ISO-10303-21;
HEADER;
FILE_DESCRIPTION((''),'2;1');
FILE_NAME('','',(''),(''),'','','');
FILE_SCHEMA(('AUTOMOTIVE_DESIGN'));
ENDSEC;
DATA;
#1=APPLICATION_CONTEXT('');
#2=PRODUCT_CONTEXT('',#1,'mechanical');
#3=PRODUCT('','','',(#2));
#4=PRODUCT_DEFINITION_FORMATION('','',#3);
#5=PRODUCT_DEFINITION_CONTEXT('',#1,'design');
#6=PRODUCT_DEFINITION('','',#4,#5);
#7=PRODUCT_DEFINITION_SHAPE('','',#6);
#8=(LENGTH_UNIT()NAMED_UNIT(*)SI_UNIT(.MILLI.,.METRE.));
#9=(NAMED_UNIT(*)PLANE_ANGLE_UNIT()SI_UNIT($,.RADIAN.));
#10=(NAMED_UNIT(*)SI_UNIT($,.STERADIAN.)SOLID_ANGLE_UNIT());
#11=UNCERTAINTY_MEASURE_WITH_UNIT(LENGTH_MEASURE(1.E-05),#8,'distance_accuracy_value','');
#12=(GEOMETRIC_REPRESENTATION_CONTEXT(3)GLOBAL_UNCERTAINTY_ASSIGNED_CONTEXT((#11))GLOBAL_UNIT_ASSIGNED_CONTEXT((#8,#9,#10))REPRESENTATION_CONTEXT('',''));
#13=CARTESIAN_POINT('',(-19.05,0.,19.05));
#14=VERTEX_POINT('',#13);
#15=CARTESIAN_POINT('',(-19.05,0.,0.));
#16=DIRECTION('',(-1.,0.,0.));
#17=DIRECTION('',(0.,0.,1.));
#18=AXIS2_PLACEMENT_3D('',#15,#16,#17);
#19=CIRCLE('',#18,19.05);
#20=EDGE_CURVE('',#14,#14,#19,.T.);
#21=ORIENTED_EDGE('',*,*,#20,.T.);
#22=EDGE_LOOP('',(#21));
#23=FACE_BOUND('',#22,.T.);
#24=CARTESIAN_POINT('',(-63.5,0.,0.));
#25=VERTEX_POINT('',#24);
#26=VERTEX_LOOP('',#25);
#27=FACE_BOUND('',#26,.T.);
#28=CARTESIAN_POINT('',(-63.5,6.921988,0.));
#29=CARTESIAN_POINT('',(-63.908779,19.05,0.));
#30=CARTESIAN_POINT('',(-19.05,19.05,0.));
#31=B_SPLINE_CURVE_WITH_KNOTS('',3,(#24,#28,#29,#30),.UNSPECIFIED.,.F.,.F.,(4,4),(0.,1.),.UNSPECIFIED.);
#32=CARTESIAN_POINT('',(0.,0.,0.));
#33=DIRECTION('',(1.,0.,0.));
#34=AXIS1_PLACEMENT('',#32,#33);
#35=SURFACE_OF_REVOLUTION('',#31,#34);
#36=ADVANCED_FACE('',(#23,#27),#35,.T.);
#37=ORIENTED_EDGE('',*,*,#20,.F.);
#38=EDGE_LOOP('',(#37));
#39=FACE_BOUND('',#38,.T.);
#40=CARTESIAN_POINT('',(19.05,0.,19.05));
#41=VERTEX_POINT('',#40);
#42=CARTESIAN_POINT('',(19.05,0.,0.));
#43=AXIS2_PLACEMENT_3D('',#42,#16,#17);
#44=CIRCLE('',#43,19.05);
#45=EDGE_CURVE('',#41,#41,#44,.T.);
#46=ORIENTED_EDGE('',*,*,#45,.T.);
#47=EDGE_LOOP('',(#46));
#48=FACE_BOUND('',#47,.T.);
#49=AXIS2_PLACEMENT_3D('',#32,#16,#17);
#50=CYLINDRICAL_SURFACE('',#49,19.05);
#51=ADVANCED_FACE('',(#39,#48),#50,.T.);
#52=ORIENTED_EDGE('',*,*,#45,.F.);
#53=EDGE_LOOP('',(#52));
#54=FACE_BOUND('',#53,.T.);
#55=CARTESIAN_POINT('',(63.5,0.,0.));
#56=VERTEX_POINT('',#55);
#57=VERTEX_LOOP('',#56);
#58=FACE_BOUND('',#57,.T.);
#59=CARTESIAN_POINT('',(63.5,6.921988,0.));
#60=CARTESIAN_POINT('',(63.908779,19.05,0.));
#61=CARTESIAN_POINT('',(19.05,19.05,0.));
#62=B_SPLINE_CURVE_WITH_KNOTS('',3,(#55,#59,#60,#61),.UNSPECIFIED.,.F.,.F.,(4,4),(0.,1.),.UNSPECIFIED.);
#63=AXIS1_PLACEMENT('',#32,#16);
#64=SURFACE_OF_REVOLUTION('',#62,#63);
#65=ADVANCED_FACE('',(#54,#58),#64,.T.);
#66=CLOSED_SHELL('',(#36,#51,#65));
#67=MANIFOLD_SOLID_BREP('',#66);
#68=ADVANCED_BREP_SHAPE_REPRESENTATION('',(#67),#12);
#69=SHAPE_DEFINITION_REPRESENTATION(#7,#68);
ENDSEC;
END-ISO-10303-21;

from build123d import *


with BuildPart() as part:
    # Sketch1 → Revolve1 (revolve)
    with BuildSketch(Plane.XY):
        with BuildLine():
            Line((0, 0), (63.5, 0))
            add(Edge.make_bspline(
                [(19.05, 19.05), (63.908779388, 19.05), (63.5, 6.92198844), (63.5, 0)],
                knots=[0, 0, 0, 0, 1, 1, 1, 1], degree=3))
            Line((19.05, 19.05), (0, 19.05))
            Line((0, 19.05), (0, 0))
        make_face()
    revolve1 = revolve(axis=Axis((0, 0, 0), (1, 0, 0)))

    # Mirror1: Revolve1 across plane
    add(revolve1.mirror(Plane(origin=(0, 19.05, 0), x_dir=(0, 0, 1), z_dir=(1, 0, 0))))


solid = part.part
